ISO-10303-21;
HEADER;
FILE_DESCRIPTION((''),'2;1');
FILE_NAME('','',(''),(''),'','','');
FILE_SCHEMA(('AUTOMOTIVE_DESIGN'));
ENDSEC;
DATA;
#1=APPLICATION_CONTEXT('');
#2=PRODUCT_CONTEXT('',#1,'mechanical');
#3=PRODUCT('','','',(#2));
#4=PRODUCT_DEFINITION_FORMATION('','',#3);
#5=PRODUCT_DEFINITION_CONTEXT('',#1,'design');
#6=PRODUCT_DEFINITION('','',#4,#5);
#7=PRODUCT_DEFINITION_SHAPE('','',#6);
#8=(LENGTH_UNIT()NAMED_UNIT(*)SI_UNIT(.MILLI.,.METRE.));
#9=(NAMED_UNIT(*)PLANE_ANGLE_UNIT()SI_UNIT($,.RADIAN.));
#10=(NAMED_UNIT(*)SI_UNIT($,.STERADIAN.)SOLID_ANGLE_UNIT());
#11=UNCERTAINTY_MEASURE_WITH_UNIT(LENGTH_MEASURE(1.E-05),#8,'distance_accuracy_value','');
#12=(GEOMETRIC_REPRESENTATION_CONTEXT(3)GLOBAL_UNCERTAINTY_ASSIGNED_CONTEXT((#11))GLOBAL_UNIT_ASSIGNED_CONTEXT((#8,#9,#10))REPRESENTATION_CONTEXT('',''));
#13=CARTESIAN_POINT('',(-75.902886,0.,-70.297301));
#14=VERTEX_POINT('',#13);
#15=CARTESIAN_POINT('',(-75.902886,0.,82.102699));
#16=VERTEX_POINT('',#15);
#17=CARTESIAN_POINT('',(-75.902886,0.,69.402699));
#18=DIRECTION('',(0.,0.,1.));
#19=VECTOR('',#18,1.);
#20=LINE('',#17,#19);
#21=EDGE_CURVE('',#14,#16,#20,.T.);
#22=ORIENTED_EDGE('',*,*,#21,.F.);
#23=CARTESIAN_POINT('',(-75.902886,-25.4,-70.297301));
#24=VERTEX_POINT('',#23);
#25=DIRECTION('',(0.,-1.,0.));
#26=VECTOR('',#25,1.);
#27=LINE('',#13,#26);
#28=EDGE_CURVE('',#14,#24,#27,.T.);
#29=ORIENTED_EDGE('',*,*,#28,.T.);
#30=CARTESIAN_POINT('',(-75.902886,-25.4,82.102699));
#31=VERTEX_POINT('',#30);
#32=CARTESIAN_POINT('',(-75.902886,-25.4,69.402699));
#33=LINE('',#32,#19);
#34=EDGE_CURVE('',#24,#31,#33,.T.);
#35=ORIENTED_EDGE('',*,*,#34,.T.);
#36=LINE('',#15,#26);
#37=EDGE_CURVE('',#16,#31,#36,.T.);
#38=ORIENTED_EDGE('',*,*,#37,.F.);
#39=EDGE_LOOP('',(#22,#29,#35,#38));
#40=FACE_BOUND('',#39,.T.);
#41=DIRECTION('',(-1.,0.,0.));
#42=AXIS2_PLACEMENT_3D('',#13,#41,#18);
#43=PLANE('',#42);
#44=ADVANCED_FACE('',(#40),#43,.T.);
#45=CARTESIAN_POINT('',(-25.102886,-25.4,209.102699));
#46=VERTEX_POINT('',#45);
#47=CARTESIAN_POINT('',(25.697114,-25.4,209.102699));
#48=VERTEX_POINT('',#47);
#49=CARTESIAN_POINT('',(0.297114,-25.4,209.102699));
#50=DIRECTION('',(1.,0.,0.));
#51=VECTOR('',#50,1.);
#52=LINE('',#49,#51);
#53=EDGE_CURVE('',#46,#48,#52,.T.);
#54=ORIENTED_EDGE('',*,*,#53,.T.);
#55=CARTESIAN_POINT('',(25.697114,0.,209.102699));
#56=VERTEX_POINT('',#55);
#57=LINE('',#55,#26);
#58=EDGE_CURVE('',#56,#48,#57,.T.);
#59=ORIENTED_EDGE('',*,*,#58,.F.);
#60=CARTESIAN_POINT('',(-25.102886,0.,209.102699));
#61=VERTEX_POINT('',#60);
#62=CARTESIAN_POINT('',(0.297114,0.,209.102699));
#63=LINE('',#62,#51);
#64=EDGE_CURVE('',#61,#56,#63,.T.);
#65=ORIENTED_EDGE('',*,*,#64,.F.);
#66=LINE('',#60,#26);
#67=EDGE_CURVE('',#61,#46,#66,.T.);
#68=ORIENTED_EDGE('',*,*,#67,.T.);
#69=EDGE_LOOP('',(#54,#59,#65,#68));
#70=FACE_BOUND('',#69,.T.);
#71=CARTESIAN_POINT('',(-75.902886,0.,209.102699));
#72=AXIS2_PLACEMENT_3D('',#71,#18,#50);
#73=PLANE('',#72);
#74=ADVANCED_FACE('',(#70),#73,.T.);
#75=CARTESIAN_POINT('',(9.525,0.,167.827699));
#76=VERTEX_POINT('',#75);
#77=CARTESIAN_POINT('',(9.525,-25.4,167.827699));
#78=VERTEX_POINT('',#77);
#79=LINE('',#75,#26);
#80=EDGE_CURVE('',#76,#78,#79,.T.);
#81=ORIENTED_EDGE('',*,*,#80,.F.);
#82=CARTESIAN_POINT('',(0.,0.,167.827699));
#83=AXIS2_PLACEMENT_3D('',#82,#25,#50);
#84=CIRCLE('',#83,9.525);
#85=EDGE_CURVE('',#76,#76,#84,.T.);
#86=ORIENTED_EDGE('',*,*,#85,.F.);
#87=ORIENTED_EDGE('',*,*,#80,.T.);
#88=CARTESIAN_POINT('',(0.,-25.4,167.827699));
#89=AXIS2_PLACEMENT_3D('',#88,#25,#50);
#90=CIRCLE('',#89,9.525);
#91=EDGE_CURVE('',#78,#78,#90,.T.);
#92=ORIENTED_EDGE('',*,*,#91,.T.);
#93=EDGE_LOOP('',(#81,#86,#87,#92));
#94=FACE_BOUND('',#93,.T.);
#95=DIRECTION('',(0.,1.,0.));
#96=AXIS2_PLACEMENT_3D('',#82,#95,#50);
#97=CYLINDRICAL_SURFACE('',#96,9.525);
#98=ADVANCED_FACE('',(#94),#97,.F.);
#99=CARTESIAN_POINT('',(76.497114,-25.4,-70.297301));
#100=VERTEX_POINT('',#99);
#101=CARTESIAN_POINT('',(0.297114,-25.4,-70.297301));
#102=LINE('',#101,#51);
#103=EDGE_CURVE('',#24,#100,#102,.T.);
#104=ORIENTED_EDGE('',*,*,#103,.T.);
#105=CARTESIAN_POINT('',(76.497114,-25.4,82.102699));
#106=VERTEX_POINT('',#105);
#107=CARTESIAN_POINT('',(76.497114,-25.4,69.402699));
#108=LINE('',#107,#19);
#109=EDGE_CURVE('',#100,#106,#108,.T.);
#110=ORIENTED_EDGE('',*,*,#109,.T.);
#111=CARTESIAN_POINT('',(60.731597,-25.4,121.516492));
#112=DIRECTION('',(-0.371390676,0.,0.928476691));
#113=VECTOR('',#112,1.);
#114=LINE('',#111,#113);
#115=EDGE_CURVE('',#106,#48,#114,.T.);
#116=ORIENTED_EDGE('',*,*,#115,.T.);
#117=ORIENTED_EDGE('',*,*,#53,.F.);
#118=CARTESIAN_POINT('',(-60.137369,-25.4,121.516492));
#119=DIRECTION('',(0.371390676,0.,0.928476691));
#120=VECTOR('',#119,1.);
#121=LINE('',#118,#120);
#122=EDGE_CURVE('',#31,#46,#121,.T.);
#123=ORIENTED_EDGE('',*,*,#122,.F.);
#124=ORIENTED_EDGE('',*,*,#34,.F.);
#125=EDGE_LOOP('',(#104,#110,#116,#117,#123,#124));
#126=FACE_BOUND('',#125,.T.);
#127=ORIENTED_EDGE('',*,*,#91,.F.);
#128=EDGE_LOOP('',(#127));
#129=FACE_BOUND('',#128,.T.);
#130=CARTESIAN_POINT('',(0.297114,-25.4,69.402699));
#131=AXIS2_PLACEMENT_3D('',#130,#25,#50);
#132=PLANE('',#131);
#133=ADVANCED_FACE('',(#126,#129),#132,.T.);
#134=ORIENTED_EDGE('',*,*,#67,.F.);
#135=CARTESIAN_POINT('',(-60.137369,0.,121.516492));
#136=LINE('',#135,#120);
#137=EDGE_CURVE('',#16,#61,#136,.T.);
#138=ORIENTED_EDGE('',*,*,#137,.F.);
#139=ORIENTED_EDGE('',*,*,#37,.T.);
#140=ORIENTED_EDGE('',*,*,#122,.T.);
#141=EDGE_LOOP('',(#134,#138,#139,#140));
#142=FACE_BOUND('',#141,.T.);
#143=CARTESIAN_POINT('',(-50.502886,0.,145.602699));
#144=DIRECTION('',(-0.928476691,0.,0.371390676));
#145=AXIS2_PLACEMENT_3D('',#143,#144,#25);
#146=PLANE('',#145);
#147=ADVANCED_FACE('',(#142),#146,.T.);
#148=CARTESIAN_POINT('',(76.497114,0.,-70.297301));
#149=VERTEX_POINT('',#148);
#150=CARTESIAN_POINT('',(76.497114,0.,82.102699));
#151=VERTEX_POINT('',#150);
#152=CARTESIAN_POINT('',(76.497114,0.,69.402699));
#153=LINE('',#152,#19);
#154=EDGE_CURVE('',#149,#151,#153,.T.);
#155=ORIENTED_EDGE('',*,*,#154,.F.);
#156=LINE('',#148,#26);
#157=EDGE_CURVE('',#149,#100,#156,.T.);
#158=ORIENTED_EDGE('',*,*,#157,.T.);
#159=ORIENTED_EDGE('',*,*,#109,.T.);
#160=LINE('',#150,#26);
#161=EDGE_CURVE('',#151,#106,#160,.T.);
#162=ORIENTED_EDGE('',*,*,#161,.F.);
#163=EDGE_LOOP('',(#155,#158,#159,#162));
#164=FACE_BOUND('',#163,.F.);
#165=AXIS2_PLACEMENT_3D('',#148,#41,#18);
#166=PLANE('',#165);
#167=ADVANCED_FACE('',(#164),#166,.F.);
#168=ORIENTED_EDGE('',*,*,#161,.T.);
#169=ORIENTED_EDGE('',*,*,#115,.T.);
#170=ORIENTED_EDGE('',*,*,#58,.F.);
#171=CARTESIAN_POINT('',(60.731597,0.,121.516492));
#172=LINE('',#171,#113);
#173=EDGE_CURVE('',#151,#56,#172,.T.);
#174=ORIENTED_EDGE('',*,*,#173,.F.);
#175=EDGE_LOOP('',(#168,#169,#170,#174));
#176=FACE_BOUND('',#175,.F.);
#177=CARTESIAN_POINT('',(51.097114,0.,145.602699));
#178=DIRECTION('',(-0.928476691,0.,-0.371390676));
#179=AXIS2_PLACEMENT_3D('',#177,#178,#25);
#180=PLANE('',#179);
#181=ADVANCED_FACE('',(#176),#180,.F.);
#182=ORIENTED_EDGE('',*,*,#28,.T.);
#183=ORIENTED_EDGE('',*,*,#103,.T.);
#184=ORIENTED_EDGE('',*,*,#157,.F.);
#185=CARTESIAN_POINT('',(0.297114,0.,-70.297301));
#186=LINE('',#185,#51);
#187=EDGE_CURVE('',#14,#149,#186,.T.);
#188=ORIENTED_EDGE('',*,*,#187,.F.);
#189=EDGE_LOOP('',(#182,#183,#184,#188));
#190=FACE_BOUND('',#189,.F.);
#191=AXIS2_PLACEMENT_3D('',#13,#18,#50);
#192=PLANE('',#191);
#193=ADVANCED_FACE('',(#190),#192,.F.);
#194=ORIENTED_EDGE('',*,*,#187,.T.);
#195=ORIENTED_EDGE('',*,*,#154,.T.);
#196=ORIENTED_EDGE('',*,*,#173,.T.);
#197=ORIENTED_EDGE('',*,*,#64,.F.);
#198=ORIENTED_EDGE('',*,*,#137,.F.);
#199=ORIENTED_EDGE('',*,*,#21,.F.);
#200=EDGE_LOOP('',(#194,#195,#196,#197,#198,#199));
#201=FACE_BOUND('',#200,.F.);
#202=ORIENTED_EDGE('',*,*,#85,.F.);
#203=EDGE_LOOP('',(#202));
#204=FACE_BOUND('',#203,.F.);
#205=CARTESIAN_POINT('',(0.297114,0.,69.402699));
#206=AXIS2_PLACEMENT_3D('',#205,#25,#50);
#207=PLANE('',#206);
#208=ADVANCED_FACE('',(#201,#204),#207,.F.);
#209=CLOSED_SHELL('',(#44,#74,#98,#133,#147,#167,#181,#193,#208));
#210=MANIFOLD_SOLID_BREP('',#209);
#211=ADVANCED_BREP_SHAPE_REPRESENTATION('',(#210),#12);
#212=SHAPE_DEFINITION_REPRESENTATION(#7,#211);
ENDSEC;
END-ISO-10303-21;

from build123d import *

# Parameters (mm, degrees)
F0_W       = 152.4
F0_H       = 279.4
F0_R       = 9.525
F1_DEPTH   = 25.4
F2_SIZE2   = 50.8
F2_SIZE    = 127
F2_2_SIZE2 = 50.8
F2_2_SIZE  = 127


with BuildPart() as f1:
    # F0 (on Front) → F1 (new body)
    with BuildSketch(Plane.XZ):
        with Locations((0.297114253, 69.4026991844)):
            Rectangle(F0_W, F0_H)
        with Locations((0, 167.8276991844)):
            Circle(F0_R, mode=Mode.SUBTRACT)
    extrude(amount=F1_DEPTH)

    # F2
    f2_edges = [f1.edges().sort_by_distance(p)[0] for p in [
        (-75.902886, -12.7, 209.102699),
    ]]
    f2_side = f1.faces().sort_by_distance((-75.902886, -12.7, 69.402699))[0]
    chamfer(f2_edges, length=F2_SIZE, length2=F2_SIZE2, reference=f2_side)

    # F2#2
    f2_2_edges = [f1.edges().sort_by_distance(p)[0] for p in [
        (76.497114, -12.7, 209.102699),
    ]]
    f2_2_side = f1.faces().sort_by_distance((76.497114, -12.7, 69.402699))[0]
    chamfer(f2_2_edges, length=F2_2_SIZE, length2=F2_2_SIZE2, reference=f2_2_side)


solid = f1.part
